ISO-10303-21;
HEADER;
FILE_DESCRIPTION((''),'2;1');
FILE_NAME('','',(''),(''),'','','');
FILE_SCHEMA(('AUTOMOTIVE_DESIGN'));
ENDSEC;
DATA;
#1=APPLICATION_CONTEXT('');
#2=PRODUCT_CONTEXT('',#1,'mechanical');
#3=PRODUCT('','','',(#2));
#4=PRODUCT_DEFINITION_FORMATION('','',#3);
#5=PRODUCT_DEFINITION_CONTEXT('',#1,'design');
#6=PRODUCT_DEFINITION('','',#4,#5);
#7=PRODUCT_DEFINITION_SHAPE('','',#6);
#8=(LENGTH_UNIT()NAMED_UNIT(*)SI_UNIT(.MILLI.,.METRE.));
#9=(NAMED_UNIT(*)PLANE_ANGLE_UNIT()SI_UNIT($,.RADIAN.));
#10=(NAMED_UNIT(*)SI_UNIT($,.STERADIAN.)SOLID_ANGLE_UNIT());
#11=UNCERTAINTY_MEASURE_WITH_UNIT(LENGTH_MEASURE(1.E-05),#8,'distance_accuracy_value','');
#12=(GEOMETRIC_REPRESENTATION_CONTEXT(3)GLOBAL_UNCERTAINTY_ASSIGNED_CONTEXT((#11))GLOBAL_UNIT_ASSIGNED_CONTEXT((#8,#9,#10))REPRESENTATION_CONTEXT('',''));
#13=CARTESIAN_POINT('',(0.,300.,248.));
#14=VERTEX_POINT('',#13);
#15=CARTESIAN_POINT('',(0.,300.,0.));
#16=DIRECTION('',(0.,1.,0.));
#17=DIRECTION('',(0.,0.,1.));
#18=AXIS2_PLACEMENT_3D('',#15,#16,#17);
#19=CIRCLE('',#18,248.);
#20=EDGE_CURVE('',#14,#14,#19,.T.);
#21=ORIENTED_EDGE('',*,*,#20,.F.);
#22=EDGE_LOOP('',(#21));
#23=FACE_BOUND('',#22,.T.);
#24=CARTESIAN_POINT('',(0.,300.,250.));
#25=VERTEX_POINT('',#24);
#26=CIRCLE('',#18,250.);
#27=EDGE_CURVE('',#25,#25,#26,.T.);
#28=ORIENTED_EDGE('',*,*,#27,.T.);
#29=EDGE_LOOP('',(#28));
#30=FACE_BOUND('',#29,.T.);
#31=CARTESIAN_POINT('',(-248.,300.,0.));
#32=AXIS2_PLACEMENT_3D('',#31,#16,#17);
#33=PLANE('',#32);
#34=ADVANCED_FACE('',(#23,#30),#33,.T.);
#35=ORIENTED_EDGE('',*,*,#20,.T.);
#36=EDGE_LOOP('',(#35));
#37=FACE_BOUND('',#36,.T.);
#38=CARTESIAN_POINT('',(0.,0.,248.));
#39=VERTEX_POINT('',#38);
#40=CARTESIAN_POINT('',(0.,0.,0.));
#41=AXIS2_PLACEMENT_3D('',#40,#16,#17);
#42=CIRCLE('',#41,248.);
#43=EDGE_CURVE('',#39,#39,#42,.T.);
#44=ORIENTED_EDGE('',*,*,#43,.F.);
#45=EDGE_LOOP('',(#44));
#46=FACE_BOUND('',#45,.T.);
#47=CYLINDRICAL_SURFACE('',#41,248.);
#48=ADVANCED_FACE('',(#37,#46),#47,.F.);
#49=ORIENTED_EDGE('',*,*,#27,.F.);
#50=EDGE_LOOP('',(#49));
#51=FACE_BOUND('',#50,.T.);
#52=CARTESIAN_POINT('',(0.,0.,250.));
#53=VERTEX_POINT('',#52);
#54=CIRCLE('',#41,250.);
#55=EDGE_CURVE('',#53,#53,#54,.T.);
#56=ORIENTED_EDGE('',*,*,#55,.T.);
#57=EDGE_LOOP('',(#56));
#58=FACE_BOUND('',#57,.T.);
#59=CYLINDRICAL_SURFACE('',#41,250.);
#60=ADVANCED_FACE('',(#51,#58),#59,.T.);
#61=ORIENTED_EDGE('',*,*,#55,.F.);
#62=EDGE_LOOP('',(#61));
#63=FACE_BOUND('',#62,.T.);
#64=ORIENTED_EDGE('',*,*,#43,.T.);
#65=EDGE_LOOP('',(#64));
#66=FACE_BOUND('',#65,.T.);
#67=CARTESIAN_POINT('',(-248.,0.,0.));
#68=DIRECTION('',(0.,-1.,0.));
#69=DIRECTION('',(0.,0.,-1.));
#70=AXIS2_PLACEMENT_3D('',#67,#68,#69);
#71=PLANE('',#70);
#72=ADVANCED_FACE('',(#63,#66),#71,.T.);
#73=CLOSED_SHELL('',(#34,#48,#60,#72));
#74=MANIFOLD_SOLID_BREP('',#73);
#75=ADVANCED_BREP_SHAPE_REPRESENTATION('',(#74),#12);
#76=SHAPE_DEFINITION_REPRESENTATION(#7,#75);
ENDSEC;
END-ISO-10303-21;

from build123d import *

# Parameters (mm, degrees)
SKETCH1_W = 2
SKETCH1_H = 300


with BuildPart() as part:
    # Sketch1 → Revolve1 (revolve)
    with BuildSketch(Plane.XY):
        with Locations((-249, 150)):
            Rectangle(SKETCH1_W, SKETCH1_H)
    revolve(axis=Axis((0, 0, 0), (0, -1, 0)))


solid = part.part
